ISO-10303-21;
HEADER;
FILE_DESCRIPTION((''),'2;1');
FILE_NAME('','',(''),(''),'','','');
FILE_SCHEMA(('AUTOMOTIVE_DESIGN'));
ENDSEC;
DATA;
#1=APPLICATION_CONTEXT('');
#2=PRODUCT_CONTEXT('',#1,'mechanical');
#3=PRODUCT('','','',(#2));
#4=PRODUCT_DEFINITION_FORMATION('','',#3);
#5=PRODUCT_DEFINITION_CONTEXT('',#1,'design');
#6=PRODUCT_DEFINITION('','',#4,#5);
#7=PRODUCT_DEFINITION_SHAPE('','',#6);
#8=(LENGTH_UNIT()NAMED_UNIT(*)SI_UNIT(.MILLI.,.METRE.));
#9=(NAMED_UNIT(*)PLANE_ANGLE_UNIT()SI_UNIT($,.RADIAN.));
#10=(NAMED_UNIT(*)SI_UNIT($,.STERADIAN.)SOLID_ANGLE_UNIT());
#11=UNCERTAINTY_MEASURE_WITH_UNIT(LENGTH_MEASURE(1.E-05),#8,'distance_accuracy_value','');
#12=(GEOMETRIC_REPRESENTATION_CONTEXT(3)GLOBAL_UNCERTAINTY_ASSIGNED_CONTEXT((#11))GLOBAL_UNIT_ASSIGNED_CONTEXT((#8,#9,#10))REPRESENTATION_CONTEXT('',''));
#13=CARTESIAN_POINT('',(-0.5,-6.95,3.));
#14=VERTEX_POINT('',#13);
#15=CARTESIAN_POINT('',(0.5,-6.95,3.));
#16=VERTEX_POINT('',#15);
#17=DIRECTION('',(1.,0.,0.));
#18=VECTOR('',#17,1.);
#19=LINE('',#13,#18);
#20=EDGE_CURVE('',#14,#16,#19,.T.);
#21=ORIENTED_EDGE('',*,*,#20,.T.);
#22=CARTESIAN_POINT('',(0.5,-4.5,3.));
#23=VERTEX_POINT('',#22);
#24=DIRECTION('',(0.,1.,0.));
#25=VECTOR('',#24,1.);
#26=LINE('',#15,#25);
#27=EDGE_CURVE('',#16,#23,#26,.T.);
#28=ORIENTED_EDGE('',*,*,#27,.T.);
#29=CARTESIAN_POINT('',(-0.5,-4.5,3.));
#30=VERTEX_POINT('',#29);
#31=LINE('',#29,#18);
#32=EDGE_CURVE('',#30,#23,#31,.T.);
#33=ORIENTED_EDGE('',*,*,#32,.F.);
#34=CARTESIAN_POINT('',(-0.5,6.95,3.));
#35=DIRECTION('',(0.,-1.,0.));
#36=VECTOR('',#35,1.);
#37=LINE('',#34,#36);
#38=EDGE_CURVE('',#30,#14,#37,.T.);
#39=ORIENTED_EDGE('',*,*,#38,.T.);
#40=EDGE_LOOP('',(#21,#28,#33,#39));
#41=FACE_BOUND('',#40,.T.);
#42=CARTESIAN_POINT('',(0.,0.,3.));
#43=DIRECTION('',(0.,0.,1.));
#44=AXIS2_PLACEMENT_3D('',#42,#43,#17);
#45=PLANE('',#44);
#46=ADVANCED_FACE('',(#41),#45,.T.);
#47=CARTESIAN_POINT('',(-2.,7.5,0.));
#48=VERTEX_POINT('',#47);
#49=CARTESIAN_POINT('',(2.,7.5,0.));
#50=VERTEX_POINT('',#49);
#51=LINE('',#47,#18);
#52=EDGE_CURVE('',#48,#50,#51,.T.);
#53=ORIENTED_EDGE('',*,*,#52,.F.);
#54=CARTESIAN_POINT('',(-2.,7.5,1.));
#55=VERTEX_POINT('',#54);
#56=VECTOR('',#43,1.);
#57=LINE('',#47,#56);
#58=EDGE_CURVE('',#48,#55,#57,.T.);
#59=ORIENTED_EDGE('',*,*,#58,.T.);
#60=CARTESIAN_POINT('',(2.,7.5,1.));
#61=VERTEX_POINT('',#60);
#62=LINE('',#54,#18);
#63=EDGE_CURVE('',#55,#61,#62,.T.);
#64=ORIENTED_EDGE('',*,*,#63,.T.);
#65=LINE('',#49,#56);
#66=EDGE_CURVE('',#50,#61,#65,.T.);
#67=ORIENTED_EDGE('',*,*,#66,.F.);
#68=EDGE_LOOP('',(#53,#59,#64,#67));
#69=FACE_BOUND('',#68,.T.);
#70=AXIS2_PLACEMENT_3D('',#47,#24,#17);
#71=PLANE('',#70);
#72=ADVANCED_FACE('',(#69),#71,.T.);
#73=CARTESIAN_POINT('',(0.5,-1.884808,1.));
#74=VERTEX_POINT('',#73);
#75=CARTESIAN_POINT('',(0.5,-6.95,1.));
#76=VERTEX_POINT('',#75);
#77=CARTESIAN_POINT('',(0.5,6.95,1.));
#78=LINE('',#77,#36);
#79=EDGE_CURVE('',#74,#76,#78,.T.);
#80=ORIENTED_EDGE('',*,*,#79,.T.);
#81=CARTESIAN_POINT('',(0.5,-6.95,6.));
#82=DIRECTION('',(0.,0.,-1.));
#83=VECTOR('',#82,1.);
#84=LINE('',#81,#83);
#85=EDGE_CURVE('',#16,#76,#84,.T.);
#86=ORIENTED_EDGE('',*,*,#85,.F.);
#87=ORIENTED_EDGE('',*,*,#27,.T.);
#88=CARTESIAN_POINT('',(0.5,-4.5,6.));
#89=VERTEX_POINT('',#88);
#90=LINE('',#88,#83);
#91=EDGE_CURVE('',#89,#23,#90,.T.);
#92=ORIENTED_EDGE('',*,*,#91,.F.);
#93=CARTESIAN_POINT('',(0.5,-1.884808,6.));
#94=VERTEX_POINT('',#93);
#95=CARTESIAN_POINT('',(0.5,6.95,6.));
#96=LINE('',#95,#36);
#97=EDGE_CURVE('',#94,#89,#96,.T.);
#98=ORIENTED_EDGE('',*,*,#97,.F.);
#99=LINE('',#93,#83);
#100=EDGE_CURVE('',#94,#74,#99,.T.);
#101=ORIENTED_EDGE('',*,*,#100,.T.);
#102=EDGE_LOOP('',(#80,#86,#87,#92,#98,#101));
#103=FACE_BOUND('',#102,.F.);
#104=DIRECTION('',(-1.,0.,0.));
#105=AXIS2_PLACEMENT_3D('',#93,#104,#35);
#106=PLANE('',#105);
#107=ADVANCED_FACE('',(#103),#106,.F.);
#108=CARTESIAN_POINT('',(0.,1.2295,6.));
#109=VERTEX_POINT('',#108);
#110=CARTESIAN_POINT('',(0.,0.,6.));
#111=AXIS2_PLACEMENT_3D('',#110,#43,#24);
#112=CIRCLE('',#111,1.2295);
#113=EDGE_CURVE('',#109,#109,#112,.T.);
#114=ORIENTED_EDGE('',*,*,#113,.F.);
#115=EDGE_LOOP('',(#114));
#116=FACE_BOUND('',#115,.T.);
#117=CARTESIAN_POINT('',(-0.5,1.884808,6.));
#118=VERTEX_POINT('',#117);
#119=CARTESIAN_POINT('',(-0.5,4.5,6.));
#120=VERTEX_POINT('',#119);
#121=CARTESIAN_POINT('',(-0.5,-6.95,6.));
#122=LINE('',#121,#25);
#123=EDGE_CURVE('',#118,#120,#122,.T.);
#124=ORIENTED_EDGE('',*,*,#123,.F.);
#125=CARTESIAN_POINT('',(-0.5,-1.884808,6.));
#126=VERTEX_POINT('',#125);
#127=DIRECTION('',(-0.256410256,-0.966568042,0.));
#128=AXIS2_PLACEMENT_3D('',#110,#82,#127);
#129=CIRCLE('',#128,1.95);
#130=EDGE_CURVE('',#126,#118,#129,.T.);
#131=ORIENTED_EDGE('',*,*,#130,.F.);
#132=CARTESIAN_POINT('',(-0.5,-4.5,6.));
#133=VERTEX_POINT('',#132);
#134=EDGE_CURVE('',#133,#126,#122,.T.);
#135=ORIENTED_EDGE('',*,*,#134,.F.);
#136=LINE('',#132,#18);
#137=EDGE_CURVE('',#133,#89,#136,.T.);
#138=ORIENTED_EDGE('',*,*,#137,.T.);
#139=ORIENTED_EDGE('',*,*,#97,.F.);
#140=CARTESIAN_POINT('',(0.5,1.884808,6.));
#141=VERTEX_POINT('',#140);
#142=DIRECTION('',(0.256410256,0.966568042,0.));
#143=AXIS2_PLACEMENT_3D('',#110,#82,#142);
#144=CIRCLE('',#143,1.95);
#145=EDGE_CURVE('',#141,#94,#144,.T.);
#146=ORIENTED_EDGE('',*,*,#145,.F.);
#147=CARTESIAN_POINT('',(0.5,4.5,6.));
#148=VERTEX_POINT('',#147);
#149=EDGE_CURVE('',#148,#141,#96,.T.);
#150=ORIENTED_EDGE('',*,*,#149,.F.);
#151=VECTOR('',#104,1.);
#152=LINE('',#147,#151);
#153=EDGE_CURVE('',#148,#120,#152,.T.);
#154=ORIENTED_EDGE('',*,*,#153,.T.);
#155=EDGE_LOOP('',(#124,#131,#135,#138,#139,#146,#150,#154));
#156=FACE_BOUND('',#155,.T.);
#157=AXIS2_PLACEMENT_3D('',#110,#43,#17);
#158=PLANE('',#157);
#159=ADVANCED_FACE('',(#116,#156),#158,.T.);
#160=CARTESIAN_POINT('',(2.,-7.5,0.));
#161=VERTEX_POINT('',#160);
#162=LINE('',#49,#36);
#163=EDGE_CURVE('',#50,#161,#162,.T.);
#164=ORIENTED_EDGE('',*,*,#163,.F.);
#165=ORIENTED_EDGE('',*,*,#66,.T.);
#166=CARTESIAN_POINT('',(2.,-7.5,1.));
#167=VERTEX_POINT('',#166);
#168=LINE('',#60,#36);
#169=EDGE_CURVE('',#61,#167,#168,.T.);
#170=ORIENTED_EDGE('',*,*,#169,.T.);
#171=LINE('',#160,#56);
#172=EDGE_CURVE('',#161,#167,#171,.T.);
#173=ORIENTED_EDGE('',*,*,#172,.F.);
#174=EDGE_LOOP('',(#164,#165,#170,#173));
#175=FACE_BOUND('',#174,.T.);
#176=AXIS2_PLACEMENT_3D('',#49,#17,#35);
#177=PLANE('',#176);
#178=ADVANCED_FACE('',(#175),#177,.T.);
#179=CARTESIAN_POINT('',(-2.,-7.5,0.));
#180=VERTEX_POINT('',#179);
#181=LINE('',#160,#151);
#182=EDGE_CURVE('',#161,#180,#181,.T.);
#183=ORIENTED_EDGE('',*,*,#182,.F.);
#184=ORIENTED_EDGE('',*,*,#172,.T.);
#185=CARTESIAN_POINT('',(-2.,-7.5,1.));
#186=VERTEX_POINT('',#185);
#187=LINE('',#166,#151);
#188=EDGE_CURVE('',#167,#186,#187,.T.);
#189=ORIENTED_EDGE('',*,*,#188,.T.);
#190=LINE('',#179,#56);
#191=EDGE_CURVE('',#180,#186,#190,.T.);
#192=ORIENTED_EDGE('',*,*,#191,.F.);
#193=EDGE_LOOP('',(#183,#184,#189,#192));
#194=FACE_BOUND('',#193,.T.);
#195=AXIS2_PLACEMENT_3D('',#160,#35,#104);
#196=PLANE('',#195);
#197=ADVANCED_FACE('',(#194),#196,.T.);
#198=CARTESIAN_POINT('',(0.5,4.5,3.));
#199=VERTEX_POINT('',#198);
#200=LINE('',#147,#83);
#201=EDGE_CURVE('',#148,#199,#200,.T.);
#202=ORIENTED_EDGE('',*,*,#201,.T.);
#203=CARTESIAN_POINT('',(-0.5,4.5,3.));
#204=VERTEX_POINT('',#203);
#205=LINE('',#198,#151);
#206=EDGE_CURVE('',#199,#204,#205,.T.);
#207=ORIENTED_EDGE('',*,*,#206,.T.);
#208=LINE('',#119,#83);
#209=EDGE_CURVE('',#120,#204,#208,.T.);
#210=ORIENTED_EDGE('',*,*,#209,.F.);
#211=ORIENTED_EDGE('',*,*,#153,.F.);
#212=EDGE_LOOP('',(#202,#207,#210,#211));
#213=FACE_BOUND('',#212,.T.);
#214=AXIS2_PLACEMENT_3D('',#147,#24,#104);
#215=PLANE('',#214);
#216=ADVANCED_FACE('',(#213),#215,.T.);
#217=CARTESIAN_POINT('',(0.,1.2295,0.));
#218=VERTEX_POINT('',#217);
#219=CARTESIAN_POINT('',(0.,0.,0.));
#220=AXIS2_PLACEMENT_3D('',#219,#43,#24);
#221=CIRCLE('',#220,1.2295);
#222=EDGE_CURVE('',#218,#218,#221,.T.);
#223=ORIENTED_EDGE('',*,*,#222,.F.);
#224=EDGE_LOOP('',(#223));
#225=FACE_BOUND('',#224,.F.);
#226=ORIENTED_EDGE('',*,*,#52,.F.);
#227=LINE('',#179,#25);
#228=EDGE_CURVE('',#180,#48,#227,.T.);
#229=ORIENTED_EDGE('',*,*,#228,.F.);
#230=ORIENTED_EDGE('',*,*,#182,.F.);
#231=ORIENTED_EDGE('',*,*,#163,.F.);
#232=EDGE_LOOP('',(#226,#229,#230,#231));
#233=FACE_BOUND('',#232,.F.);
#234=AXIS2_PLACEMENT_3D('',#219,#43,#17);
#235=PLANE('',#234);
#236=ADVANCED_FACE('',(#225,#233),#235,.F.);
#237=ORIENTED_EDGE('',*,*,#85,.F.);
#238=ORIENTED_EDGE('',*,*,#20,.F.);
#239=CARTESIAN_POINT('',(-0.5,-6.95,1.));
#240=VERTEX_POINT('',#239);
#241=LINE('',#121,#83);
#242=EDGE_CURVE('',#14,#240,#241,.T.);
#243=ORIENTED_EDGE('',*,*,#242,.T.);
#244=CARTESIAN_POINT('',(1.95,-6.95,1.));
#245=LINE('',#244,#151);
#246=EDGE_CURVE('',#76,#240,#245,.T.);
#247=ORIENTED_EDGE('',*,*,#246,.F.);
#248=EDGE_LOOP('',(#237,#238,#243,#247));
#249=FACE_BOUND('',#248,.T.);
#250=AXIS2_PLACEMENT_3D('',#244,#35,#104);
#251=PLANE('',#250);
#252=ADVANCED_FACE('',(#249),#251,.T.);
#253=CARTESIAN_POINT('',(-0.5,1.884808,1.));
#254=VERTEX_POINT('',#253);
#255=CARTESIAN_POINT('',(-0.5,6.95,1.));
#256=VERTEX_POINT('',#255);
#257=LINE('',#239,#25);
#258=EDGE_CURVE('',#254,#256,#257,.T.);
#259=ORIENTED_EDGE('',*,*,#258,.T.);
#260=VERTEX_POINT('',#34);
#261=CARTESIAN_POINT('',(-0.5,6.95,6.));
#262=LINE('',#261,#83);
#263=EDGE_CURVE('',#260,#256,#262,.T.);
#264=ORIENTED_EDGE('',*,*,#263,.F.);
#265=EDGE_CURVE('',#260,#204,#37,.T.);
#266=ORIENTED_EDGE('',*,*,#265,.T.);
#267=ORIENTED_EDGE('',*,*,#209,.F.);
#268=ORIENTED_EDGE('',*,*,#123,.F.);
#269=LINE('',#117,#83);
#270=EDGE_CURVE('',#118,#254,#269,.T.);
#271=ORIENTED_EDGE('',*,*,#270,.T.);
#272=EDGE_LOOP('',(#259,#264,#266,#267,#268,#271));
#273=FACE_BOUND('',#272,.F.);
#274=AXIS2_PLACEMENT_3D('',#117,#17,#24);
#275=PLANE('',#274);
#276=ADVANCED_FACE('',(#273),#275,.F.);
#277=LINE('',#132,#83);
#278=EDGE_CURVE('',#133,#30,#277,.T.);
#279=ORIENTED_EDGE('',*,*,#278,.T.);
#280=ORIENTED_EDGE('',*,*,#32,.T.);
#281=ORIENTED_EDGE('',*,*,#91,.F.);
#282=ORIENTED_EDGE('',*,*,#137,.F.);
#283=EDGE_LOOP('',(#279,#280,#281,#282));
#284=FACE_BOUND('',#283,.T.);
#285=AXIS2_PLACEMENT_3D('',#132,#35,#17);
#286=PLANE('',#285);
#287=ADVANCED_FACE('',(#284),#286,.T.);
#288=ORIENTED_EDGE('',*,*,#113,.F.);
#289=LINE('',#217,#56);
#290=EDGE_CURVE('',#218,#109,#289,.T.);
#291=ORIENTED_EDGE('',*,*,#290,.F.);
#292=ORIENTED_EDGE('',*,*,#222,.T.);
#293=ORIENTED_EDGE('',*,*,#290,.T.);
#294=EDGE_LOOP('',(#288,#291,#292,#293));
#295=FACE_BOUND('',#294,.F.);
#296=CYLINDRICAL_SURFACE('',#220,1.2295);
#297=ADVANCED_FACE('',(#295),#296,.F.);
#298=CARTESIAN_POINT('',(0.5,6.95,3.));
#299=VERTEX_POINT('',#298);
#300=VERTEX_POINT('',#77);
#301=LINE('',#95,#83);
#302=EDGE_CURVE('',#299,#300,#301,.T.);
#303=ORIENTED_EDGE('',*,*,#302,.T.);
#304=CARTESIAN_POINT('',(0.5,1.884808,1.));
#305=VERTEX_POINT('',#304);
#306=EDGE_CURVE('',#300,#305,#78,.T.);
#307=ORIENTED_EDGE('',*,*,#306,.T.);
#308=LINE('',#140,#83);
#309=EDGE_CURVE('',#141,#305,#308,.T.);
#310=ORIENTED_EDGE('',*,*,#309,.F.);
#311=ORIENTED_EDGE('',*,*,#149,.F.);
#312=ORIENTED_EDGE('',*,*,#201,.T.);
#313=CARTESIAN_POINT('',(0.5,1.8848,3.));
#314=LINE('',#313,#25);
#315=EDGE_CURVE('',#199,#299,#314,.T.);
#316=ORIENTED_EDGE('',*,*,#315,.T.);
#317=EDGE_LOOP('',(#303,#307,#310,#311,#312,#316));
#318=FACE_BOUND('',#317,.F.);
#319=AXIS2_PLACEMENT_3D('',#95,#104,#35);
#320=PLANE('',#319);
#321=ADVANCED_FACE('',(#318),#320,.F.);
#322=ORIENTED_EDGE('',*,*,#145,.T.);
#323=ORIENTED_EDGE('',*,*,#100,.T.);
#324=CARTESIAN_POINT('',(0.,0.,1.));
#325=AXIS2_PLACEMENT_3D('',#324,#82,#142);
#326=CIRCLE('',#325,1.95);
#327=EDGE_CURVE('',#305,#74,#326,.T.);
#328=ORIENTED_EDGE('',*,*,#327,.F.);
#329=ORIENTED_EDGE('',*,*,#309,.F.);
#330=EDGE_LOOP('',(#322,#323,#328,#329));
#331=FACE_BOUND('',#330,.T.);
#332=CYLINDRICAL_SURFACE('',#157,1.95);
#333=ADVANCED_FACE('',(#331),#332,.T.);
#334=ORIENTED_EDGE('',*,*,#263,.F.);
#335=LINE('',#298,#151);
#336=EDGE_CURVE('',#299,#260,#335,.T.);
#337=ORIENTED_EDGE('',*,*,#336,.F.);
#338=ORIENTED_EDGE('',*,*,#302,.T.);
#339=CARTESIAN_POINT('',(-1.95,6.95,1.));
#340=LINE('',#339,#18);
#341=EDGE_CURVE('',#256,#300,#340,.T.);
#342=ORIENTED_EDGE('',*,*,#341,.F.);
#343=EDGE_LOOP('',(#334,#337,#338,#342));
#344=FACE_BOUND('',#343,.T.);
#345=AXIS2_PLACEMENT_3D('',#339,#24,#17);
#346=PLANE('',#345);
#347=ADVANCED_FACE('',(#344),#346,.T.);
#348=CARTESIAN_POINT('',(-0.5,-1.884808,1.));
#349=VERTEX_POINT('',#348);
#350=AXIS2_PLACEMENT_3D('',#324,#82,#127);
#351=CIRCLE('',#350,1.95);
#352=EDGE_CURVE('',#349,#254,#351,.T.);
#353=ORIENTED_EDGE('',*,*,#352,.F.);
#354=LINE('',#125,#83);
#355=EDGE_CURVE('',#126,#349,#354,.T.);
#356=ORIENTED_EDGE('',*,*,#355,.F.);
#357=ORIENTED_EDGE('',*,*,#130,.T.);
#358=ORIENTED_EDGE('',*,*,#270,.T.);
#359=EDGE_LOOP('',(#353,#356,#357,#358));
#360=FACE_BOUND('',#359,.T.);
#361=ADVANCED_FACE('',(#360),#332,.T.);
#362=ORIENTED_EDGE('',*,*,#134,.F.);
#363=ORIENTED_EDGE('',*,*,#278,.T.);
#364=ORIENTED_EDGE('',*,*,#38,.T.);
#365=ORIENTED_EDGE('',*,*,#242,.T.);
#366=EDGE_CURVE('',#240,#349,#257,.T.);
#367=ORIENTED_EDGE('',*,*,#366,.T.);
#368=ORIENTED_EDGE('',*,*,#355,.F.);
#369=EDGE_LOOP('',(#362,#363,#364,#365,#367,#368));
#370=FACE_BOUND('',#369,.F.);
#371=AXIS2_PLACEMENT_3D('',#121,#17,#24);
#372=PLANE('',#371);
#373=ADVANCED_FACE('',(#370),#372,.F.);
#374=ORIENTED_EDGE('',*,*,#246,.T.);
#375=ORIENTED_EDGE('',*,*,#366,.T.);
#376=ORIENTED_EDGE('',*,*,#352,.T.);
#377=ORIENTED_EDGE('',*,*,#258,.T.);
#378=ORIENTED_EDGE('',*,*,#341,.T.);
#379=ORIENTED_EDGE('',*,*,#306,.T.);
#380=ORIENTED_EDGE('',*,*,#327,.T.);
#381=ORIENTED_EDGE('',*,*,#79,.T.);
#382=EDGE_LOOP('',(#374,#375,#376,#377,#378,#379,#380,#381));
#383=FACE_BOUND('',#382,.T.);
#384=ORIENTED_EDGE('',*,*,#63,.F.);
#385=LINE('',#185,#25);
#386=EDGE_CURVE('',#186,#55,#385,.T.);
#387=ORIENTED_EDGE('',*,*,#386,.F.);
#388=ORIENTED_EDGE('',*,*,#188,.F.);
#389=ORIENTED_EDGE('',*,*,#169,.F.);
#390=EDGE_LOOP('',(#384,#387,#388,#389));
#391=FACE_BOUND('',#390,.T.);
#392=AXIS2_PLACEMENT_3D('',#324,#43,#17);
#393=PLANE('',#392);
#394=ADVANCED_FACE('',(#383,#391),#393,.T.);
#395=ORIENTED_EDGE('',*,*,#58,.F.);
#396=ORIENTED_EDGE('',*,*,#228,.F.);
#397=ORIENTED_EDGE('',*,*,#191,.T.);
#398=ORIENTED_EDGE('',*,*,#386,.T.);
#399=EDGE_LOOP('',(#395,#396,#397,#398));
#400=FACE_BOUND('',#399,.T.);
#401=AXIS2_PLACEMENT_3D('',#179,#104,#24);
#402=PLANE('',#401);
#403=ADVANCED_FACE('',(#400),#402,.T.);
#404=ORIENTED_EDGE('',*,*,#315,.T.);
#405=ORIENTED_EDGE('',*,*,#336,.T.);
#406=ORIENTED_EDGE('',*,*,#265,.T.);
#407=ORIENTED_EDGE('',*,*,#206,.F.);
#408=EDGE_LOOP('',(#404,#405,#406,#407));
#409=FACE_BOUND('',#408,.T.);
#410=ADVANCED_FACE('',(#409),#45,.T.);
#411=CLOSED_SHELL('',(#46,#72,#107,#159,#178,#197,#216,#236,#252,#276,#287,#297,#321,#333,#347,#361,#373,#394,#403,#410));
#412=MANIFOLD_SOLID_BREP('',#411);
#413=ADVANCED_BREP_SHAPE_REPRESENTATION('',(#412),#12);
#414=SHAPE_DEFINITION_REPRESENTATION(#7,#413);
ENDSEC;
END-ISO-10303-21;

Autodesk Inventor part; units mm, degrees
ref_plane "YZ Plane" through (0, 0, 0) normal (1, 0, 0) x (0, 1, 0)
ref_plane "XZ Plane" through (0, 0, 0) normal (0, 1, 0) x (-1, 0, 0)
ref_plane "XY Plane" through (0, 0, 0) normal (0, 0, 1) x (1, 0, 0)
sketch "Esboço1" plane through (0, 0, 0) normal (0, 0, 1) x (1, 0, 0)
  line L0 (-2, 7.5) -> (2, 7.5)
  line L1 (2, 7.5) -> (2, -7.5)
  line L2 (2, -7.5) -> (-2, -7.5)
  line L3 (-2, -7.5) -> (-2, 7.5)
  line L4 (-2, 7.5) -> (2, -7.5) construction
  line L5 (2, 7.5) -> (-2, -7.5) construction
  point P0 (0, 0)
  dimension "d0" = 4
  dimension "d1" = 15
extrude "Extrusão1" add sketch "Esboço1" along normal blind 1
sketch "Esboço2" plane through (0, 0, 1) normal (0, 0, 1) x (1, 0, 0)
  line L0 (-1.95, 6.95) -> (1.95, 6.95)
  line L1 (1.95, 6.95) -> (1.95, -6.95)
  line L2 (1.95, -6.95) -> (-1.95, -6.95)
  line L3 (-1.95, -6.95) -> (-1.95, 6.95)
  line L4 (-1.95, 6.95) -> (1.95, -6.95) construction
  line L5 (1.95, 6.95) -> (-1.95, -6.95) construction
  point P0 (0, 0)
  dimension "d4" = 3.9
  dimension "d5" = 13.9
extrude "Extrusão2" add sketch "Esboço2" along normal blind 5
sketch "Esboço3" plane through (0, 0, 6) normal (0, 0, 1) x (1, 0, 0)
  circle A0 centre (0, 0) radius 1.95
  line L0 (1.95, -6.95) -> (-1.95, -6.95) projected
  line L1 (-0.5, 6.95) -> (0.5, 6.95)
  line L2 (0.5, 6.95) -> (0.5, -6.95)
  line L3 (0.5, -6.95) -> (-0.5, -6.95)
  line L4 (-0.5, -6.95) -> (-0.5, 6.95)
  line L5 (-0.5, 6.95) -> (0.5, -6.95) construction
  line L6 (0.5, 6.95) -> (-0.5, -6.95) construction
  line L7 (-1.95, 6.95) -> (1.95, 6.95)
  line L8 (1.95, 6.95) -> (1.95, -6.95)
  line L9 (1.95, -6.95) -> (-1.95, -6.95)
  line L10 (-1.95, -6.95) -> (-1.95, 6.95)
  line L11 (-1.95, 6.95) -> (1.95, -6.95) construction
  line L12 (1.95, 6.95) -> (-1.95, -6.95) construction
  point P0 (-1.95, 0)
  point P1 (-0.5, -1.8848)
  point P2 (-0.5, 1.8848)
  point P3 (1.95, 0)
  point P4 (0.5, 1.8848)
  point P5 (0.5, -1.8848)
  dimension "d8" = 3.9
  dimension "d9" = 1
extrude "Extrusão3" cut sketch "Esboço3" against normal blind 5 contours L8 L0 L2 A0 | A0 L2 L7 L8 | A0 L10 L7 L4 | L4 L0 L10 A0
sketch "Esboço4" plane through (0, 0, 6) normal (0, 0, 1) x (1, 0, 0)
  line L0 (-0.5, -4.5) -> (0.5, -4.5)
  line L1 (0.5, -4.5) -> (0.5, 4.5)
  line L2 (0.5, 4.5) -> (-0.5, 4.5)
  line L3 (-0.5, 4.5) -> (-0.5, -4.5)
  line L4 (-0.5, -4.5) -> (0.5, 4.5) construction
  line L5 (0.5, -4.5) -> (-0.5, 4.5) construction
  line L6 (0.5, 1.8848) -> (0.5, 6.95) projected
  line L7 (-0.5, -6.95) -> (0.5, -6.95)
  line L8 (0.5, -6.95) -> (0.5, 6.95)
  line L9 (0.5, 6.95) -> (-0.5, 6.95)
  line L10 (-0.5, 6.95) -> (-0.5, -6.95)
  line L11 (-0.5, -6.95) -> (0.5, 6.95) construction
  line L12 (0.5, -6.95) -> (-0.5, 6.95) construction
  point P0 (0, 0)
  dimension "d12" = 1
  dimension "d13" = 9
extrude "Extrusão4" cut sketch "Esboço4" against normal blind 3 contours L0 L8 L7 L10 | L10 L9 L6 L2
sketch "Esboço5" plane through (0, 0, 0) normal (0, 0, -1) x (-1, 0, 0)
  point P0 (0, 0)
  point P1 (0, 0)
  dimension "d23" = 0
  dimension "d24" = 0
hole "Furo1" at (0, 0, 0) direction (0, 0, 1) diameter 2.459 end through all thread size "M3x0.5" class "6H" standard "ANSI Metric M Profile"
properties part number "TRAVA"
